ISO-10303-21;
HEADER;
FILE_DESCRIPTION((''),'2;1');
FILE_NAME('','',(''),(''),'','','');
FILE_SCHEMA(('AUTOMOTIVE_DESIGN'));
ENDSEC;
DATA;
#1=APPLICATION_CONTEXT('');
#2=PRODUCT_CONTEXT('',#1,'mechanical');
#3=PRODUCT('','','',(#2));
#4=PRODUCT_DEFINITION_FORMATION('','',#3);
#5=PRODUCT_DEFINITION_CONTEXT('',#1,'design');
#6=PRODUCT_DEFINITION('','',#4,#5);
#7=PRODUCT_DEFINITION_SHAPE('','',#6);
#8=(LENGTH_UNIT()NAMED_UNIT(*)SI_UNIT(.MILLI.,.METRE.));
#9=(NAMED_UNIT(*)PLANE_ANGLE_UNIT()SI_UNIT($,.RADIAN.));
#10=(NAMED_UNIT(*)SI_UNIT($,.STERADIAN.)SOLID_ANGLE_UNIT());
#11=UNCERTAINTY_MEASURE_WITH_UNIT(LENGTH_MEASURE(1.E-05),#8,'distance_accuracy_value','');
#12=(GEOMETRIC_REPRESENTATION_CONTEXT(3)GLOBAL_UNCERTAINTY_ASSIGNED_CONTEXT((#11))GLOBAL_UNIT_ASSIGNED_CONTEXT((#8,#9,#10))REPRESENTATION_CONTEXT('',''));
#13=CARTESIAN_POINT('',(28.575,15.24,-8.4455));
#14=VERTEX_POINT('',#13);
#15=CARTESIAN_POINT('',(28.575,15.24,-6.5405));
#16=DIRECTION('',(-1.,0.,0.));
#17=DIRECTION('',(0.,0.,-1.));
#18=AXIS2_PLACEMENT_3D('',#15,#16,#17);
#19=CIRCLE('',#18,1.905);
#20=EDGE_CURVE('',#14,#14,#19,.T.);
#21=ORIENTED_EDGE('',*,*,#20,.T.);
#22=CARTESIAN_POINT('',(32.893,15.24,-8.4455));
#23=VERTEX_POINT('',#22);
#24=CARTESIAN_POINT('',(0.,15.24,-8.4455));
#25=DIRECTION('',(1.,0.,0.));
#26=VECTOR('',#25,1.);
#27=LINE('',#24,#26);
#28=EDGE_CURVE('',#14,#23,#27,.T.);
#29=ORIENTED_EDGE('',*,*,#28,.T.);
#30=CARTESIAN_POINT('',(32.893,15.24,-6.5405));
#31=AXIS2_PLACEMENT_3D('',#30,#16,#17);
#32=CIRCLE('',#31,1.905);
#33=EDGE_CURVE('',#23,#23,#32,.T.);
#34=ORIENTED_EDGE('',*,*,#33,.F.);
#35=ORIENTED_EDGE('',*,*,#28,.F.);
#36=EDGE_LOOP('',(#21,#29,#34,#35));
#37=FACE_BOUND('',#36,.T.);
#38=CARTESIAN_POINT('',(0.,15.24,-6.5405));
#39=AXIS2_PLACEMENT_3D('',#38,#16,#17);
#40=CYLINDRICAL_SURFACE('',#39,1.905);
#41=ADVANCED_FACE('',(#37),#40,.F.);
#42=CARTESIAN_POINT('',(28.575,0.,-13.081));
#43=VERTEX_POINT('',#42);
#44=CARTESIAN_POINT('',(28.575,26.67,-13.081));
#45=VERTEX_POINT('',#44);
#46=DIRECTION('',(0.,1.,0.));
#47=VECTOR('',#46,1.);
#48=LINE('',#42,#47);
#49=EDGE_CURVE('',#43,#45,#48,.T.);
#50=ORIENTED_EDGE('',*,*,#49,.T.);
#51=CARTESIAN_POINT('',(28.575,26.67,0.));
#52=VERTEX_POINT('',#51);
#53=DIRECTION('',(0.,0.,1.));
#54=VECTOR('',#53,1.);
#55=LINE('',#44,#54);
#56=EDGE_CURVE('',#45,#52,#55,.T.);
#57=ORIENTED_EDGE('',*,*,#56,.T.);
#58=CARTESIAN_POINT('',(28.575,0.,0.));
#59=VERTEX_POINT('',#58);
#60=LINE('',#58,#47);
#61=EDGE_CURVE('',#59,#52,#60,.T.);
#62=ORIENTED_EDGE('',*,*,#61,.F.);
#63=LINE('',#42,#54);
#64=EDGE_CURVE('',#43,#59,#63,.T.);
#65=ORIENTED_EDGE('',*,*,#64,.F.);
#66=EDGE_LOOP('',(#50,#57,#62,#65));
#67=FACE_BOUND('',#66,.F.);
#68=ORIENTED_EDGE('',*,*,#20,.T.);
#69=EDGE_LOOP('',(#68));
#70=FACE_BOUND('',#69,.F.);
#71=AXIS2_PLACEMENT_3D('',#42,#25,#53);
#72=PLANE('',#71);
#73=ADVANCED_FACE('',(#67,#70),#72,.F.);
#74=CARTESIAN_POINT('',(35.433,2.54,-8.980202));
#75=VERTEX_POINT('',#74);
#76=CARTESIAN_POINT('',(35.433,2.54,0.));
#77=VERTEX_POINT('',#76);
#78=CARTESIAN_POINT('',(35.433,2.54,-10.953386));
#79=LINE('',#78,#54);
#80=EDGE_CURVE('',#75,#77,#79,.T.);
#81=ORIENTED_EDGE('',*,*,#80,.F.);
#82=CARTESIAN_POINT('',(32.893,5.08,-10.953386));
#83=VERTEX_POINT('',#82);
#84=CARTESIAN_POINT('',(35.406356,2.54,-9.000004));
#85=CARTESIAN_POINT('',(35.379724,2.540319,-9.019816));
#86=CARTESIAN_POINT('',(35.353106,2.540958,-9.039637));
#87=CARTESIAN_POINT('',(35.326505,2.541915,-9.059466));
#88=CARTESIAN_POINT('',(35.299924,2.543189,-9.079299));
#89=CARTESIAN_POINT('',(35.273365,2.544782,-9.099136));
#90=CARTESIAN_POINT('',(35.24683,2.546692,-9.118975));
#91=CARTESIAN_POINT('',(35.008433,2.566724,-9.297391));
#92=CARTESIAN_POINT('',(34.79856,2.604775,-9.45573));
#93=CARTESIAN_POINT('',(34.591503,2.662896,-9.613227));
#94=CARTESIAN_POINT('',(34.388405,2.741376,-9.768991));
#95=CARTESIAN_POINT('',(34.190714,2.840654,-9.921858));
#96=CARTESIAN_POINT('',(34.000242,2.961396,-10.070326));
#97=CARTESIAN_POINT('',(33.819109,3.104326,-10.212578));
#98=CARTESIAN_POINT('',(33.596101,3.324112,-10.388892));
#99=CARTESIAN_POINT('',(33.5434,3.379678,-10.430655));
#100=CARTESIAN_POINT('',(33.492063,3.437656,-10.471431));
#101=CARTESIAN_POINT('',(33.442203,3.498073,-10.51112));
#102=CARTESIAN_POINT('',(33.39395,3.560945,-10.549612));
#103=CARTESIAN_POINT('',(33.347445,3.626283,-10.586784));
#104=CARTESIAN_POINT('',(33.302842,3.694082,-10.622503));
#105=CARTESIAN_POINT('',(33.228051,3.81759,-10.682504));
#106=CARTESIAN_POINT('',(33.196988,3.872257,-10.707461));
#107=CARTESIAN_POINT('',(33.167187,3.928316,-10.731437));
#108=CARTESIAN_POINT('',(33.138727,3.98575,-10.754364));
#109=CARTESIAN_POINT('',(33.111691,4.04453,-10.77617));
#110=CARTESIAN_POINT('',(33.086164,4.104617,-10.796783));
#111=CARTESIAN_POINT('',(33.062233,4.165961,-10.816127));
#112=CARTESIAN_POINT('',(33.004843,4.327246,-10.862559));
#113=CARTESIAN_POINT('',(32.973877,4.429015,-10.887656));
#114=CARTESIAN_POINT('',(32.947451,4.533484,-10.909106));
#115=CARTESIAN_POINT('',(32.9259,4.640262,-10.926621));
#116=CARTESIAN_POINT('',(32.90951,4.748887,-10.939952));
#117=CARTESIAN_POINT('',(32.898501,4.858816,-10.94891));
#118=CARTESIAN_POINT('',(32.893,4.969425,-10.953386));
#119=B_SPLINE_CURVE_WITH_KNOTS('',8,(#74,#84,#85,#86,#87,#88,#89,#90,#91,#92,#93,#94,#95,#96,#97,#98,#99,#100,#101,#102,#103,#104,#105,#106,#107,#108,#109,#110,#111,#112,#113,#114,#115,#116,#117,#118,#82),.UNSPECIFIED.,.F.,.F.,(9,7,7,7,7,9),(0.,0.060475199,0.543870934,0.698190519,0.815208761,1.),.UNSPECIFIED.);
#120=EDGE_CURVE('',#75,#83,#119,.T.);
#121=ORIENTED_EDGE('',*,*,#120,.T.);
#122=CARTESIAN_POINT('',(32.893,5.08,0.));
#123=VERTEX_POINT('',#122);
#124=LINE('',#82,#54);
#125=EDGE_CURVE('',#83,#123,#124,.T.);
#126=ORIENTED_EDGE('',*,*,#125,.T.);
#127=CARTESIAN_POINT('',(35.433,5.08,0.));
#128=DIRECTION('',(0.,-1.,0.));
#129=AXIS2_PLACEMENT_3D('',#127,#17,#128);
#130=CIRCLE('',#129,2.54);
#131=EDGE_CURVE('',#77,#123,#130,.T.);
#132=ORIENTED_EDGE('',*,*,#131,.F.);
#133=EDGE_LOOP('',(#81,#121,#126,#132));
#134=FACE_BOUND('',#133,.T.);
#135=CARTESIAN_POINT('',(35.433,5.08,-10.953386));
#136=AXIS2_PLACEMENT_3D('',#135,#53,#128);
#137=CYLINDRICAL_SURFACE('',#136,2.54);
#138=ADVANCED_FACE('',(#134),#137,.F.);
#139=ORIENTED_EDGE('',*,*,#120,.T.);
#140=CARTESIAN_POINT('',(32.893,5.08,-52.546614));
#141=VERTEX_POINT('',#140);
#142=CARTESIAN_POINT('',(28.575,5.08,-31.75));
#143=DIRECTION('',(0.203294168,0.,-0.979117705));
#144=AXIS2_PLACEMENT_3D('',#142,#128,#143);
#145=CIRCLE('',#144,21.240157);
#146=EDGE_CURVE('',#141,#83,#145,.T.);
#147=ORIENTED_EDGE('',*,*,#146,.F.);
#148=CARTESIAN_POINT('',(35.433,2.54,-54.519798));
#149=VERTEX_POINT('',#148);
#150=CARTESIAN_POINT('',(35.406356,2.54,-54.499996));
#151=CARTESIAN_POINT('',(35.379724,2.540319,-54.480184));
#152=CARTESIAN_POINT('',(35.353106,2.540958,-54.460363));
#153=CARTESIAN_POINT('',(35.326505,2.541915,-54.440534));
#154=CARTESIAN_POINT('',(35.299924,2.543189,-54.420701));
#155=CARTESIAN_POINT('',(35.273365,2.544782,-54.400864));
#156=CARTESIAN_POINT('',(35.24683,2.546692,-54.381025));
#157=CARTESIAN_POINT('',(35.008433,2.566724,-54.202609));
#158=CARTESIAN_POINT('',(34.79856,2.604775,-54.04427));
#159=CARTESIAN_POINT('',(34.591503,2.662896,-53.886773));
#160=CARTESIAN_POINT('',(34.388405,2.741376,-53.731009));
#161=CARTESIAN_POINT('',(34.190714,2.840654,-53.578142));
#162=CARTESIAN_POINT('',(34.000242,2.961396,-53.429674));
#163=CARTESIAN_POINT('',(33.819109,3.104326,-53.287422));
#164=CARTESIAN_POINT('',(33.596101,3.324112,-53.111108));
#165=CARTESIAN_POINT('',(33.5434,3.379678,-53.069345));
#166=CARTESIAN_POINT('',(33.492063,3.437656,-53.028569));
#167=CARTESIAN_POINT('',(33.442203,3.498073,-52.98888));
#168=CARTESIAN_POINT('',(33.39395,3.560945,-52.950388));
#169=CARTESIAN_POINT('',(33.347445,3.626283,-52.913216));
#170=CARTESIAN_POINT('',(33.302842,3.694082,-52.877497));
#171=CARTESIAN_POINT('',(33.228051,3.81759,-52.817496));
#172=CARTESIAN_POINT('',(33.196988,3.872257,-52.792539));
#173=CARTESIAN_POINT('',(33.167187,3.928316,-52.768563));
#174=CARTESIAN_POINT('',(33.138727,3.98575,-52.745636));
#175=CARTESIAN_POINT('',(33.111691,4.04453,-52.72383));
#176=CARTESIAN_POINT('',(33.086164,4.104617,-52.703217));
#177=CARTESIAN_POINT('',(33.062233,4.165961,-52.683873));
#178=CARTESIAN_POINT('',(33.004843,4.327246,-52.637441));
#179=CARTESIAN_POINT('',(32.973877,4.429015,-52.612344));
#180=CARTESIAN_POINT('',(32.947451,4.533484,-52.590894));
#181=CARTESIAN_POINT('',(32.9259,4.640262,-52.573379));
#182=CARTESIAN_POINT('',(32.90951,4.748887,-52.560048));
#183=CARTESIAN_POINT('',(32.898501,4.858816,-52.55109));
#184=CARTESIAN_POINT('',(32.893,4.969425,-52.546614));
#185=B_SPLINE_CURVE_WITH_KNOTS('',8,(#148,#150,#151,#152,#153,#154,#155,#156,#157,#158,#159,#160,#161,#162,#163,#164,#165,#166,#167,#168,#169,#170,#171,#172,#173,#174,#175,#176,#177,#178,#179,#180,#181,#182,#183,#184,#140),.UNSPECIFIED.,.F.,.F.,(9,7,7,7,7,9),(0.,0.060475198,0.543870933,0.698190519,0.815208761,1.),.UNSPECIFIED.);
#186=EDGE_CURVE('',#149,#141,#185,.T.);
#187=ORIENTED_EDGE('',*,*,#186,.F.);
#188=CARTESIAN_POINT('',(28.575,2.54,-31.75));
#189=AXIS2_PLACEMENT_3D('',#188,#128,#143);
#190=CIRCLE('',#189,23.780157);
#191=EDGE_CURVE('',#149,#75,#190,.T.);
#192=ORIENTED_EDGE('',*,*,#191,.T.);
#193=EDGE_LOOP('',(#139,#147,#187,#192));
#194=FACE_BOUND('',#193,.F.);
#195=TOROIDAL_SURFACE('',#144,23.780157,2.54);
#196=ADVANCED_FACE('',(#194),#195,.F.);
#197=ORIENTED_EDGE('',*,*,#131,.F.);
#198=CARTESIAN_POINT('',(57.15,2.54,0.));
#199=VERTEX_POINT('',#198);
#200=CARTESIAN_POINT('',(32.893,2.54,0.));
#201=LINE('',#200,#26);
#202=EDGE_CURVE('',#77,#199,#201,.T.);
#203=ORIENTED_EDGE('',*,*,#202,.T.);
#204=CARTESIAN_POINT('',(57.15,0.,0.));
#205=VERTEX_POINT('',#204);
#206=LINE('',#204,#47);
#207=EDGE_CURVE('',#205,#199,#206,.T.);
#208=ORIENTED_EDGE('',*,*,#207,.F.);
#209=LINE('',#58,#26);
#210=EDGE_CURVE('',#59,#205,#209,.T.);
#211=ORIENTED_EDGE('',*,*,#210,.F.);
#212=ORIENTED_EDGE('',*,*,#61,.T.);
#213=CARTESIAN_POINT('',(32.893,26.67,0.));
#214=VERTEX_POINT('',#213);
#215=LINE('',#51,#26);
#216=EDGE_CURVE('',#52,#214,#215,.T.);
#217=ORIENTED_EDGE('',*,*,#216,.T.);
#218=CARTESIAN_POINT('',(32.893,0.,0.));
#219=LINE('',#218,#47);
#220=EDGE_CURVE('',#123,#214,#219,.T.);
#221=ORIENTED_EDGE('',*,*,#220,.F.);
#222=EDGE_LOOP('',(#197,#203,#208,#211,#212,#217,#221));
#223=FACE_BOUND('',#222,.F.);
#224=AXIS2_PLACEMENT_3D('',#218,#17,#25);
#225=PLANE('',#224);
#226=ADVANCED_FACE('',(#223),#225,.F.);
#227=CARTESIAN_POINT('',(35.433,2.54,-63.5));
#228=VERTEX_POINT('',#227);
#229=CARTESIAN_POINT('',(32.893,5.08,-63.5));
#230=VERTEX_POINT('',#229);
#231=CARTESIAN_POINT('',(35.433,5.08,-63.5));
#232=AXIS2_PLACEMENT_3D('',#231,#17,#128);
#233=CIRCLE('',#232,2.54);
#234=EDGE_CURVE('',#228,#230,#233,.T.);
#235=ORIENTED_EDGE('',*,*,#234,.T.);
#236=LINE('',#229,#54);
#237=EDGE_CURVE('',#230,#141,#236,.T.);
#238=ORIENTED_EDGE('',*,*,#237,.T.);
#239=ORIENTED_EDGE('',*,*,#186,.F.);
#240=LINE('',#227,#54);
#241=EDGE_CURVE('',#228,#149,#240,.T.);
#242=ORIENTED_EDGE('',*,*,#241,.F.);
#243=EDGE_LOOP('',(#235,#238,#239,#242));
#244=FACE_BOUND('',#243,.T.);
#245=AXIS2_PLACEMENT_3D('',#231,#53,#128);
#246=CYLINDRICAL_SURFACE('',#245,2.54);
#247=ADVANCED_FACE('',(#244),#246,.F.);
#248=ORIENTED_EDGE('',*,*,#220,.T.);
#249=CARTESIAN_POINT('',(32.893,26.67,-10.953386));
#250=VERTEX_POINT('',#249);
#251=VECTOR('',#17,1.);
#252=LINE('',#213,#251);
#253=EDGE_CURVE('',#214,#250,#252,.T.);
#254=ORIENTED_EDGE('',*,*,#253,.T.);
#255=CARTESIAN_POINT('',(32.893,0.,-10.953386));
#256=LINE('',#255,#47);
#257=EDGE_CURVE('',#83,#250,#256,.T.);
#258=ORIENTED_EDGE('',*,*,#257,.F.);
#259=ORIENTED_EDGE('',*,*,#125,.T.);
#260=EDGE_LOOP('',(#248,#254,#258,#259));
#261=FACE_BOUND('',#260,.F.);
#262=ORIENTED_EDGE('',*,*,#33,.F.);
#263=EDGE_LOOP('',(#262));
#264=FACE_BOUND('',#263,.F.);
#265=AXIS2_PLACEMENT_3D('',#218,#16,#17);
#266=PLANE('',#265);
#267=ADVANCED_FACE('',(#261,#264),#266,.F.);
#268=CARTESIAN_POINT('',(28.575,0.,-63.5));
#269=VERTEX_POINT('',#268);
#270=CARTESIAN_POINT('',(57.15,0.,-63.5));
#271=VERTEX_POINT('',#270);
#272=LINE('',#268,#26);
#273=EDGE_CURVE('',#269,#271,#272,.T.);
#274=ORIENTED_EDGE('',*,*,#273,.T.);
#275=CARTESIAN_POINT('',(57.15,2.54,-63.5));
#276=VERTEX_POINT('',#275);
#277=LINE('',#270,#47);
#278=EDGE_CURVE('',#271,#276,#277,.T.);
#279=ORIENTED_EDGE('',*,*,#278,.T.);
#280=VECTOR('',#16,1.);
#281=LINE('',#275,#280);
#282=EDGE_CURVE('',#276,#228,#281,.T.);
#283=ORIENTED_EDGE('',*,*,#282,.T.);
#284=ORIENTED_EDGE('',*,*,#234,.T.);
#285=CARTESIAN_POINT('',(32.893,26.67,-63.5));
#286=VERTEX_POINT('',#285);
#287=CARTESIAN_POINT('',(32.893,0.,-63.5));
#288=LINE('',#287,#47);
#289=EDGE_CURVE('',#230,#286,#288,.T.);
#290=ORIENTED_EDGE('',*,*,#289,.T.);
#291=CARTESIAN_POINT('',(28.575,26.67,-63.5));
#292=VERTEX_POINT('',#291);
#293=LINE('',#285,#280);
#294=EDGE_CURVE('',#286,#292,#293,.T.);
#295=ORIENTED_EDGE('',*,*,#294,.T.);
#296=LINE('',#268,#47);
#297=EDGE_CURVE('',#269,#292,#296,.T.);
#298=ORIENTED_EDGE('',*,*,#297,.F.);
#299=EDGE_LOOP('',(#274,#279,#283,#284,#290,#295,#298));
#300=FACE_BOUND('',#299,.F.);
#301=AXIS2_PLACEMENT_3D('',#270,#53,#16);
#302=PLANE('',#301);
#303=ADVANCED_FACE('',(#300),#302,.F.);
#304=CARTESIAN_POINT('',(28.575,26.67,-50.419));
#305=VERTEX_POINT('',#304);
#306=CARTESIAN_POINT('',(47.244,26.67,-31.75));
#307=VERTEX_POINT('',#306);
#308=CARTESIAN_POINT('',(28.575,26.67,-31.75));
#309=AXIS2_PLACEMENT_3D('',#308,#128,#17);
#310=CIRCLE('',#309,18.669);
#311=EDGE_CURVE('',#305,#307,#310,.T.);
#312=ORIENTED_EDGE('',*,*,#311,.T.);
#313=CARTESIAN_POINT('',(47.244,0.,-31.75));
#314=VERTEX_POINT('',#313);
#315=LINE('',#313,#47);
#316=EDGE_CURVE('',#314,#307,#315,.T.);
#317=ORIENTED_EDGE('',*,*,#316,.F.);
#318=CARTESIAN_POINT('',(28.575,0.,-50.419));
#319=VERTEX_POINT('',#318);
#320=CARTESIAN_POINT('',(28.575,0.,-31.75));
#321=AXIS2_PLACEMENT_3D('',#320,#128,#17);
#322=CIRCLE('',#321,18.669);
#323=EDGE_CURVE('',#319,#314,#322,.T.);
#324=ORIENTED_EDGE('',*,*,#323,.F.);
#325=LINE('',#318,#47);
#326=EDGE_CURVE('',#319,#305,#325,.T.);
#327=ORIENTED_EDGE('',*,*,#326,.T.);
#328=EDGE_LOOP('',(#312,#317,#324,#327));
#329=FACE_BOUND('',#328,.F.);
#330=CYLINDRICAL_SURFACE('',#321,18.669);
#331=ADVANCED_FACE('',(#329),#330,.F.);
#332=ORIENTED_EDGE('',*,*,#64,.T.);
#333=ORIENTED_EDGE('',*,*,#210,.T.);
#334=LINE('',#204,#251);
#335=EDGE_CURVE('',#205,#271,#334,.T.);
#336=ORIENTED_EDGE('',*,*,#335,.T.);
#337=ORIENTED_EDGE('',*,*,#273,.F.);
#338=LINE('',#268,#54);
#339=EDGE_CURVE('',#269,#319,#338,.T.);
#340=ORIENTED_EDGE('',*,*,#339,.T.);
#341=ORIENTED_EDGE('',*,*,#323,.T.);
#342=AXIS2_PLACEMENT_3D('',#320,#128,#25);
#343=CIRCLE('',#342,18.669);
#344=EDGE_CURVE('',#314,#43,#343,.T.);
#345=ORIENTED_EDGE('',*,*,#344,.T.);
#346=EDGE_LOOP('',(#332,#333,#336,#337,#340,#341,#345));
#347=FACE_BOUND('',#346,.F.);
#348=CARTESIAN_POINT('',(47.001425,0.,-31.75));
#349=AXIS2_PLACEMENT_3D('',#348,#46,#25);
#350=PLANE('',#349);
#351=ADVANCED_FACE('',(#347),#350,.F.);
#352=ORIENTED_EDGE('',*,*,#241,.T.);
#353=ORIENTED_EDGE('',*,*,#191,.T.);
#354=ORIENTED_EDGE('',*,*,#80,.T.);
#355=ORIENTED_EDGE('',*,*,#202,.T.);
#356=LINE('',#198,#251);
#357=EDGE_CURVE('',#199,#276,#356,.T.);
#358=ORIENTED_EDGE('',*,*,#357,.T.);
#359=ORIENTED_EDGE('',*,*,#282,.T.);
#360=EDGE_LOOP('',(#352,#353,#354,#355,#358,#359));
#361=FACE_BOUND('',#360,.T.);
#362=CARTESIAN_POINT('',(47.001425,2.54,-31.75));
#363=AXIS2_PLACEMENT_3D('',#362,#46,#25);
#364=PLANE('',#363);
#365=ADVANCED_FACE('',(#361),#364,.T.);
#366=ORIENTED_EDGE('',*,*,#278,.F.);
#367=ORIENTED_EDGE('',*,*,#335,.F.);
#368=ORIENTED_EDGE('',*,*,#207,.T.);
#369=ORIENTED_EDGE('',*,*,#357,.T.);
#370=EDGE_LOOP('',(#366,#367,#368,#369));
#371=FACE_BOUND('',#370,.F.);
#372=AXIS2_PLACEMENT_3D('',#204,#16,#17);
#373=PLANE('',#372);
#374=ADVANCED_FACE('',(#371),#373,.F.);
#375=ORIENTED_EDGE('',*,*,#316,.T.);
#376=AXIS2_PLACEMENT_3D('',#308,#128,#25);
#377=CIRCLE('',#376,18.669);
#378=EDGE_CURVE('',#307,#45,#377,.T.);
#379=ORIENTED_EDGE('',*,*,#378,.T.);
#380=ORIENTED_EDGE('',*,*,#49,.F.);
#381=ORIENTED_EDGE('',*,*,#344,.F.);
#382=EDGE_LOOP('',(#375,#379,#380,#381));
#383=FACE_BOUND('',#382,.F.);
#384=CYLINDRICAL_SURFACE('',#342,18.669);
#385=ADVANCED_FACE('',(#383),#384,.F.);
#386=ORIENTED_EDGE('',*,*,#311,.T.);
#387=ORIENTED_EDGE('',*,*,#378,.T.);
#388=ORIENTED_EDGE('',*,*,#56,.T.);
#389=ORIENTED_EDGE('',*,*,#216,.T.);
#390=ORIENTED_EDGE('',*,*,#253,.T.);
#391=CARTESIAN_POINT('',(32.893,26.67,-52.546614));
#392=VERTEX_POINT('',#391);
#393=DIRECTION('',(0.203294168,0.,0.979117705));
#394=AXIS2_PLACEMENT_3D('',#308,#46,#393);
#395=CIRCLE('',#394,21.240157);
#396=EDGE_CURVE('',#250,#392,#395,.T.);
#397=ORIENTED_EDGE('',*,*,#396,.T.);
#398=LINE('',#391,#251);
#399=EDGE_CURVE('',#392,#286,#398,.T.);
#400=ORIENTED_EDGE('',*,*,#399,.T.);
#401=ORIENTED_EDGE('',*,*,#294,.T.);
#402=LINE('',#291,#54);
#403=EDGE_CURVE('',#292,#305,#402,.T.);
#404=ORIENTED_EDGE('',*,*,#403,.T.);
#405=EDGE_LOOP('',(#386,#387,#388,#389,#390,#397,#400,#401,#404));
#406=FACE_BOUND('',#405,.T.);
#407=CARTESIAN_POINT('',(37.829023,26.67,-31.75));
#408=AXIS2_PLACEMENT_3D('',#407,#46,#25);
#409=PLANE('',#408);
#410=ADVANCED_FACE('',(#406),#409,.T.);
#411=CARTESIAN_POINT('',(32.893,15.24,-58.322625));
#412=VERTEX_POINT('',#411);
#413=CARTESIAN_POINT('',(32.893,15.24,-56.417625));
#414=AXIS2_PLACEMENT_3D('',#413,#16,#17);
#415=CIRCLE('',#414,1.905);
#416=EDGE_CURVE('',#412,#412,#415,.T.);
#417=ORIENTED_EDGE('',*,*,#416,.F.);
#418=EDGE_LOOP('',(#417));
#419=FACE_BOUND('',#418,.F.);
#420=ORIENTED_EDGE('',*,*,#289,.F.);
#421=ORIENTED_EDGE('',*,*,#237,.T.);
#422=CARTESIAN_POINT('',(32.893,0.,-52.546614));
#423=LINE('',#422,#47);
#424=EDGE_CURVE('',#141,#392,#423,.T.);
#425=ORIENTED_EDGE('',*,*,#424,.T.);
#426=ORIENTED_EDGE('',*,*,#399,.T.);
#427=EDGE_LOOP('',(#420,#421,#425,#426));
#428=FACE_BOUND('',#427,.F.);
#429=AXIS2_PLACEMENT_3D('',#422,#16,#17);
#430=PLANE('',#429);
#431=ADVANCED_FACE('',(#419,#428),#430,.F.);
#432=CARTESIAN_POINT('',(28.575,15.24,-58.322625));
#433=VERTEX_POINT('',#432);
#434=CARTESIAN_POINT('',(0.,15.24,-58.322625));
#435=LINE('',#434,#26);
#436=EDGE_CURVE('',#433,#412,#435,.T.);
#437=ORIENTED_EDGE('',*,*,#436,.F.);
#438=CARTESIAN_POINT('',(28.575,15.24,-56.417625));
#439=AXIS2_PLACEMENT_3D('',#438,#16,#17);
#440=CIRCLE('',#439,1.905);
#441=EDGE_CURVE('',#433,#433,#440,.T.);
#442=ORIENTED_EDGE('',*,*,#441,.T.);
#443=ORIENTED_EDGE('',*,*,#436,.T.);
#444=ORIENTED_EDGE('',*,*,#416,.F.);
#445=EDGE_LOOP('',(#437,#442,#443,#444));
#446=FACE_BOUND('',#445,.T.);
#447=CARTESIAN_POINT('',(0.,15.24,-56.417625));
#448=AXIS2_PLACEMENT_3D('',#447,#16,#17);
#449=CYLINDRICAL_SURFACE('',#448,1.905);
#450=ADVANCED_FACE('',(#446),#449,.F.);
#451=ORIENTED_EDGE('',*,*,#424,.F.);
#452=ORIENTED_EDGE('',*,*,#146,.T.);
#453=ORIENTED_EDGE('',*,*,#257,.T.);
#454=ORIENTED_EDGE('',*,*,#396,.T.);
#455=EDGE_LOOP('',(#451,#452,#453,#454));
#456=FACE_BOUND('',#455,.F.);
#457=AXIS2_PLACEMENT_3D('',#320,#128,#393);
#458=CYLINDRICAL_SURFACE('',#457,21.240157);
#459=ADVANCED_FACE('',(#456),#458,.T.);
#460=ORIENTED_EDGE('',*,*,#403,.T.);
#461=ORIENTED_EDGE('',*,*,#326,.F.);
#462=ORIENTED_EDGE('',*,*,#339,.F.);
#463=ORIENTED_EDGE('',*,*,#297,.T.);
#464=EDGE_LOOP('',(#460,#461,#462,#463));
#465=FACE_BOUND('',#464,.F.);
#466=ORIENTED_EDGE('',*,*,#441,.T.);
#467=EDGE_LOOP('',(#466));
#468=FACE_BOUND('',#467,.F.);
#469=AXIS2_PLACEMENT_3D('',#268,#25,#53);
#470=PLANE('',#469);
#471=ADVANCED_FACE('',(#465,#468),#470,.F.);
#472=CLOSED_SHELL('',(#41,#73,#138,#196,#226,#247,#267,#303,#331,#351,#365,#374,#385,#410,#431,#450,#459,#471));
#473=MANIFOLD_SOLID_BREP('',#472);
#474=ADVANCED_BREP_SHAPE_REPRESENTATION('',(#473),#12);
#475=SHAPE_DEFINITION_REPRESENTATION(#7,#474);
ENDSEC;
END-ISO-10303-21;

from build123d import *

# Parameters (mm, degrees)
BOSS_EXTRUDE12_DEPTH    = 26.67
BOSS_EXTRUDE13_DEPTH    = 2.54
FILLET2_R               = 2.54
SKETCH5_R               = 1.905
CUT_EXTRUDE1_DEPTH      = 58.15
CUT_EXTRUDE1_DEPTH_BACK = 1


with BuildPart() as part:
    # Sketch3 → Boss-Extrude12 (new body)
    with BuildSketch(Plane(origin=(0, 0, 0), x_dir=(1, 0, 0), z_dir=(0, 1, 0))):
        with BuildLine():
            Line((28.575, 13.081), (28.575, 0))
            Line((28.575, 0), (32.893, 0))
            Line((32.893, 0), (32.893, 10.953386454))
            ThreePointArc((32.893, 10.953386454), (49.815156756, 31.75), (32.893, 52.546613546))
            Line((32.893, 52.546613546), (32.893, 63.5))
            Line((32.893, 63.5), (28.575, 63.5))
            Line((28.575, 63.5), (28.575, 50.419))
            ThreePointArc((28.575, 50.419), (41.775976498, 44.950976498), (47.244, 31.75))
            ThreePointArc((47.244, 31.75), (41.775976498, 18.549023502), (28.575, 13.081))
        make_face()
    extrude(amount=BOSS_EXTRUDE12_DEPTH)

    # Sketch3_16 → Boss-Extrude13 (add)
    with BuildSketch(Plane(origin=(0, 0, 0), x_dir=(1, 0, 0), z_dir=(0, 1, 0))):
        with BuildLine():
            Line((32.893, 10.953386454), (32.893, 0))
            Line((32.893, 0), (57.15, 0))
            Line((57.15, 0), (57.15, 63.5))
            Line((57.15, 63.5), (32.893, 63.5))
            Line((32.893, 63.5), (32.893, 52.546613546))
            ThreePointArc((32.893, 52.546613546), (49.815156756, 31.75), (32.893, 10.953386454))
        make_face()
    extrude(amount=BOSS_EXTRUDE13_DEPTH)

    # Fillet2
    fillet2_edges = [part.edges().sort_by_distance(p)[0] for p in [
        (49.815156756, 2.54, -31.75),
        (32.893, 2.54, -5.476693227),
        (32.893, 2.54, -58.023306773),
    ]]
    fillet(fillet2_edges, radius=FILLET2_R)

    # Sketch5 → Cut-Extrude1 (cut, two sides)
    with BuildSketch(Plane(origin=(0, 0, 0), x_dir=(0, 0, -1), z_dir=(1, 0, 0))) as cut_extrude1_sk:
        with Locations((6.5405, 15.24)):
            Circle(SKETCH5_R)
        with Locations((56.41762459, 15.24)):
            Circle(SKETCH5_R)
    extrude(amount=CUT_EXTRUDE1_DEPTH, mode=Mode.SUBTRACT)
    extrude(cut_extrude1_sk.sketch, amount=-CUT_EXTRUDE1_DEPTH_BACK, mode=Mode.SUBTRACT)


solid = part.part
